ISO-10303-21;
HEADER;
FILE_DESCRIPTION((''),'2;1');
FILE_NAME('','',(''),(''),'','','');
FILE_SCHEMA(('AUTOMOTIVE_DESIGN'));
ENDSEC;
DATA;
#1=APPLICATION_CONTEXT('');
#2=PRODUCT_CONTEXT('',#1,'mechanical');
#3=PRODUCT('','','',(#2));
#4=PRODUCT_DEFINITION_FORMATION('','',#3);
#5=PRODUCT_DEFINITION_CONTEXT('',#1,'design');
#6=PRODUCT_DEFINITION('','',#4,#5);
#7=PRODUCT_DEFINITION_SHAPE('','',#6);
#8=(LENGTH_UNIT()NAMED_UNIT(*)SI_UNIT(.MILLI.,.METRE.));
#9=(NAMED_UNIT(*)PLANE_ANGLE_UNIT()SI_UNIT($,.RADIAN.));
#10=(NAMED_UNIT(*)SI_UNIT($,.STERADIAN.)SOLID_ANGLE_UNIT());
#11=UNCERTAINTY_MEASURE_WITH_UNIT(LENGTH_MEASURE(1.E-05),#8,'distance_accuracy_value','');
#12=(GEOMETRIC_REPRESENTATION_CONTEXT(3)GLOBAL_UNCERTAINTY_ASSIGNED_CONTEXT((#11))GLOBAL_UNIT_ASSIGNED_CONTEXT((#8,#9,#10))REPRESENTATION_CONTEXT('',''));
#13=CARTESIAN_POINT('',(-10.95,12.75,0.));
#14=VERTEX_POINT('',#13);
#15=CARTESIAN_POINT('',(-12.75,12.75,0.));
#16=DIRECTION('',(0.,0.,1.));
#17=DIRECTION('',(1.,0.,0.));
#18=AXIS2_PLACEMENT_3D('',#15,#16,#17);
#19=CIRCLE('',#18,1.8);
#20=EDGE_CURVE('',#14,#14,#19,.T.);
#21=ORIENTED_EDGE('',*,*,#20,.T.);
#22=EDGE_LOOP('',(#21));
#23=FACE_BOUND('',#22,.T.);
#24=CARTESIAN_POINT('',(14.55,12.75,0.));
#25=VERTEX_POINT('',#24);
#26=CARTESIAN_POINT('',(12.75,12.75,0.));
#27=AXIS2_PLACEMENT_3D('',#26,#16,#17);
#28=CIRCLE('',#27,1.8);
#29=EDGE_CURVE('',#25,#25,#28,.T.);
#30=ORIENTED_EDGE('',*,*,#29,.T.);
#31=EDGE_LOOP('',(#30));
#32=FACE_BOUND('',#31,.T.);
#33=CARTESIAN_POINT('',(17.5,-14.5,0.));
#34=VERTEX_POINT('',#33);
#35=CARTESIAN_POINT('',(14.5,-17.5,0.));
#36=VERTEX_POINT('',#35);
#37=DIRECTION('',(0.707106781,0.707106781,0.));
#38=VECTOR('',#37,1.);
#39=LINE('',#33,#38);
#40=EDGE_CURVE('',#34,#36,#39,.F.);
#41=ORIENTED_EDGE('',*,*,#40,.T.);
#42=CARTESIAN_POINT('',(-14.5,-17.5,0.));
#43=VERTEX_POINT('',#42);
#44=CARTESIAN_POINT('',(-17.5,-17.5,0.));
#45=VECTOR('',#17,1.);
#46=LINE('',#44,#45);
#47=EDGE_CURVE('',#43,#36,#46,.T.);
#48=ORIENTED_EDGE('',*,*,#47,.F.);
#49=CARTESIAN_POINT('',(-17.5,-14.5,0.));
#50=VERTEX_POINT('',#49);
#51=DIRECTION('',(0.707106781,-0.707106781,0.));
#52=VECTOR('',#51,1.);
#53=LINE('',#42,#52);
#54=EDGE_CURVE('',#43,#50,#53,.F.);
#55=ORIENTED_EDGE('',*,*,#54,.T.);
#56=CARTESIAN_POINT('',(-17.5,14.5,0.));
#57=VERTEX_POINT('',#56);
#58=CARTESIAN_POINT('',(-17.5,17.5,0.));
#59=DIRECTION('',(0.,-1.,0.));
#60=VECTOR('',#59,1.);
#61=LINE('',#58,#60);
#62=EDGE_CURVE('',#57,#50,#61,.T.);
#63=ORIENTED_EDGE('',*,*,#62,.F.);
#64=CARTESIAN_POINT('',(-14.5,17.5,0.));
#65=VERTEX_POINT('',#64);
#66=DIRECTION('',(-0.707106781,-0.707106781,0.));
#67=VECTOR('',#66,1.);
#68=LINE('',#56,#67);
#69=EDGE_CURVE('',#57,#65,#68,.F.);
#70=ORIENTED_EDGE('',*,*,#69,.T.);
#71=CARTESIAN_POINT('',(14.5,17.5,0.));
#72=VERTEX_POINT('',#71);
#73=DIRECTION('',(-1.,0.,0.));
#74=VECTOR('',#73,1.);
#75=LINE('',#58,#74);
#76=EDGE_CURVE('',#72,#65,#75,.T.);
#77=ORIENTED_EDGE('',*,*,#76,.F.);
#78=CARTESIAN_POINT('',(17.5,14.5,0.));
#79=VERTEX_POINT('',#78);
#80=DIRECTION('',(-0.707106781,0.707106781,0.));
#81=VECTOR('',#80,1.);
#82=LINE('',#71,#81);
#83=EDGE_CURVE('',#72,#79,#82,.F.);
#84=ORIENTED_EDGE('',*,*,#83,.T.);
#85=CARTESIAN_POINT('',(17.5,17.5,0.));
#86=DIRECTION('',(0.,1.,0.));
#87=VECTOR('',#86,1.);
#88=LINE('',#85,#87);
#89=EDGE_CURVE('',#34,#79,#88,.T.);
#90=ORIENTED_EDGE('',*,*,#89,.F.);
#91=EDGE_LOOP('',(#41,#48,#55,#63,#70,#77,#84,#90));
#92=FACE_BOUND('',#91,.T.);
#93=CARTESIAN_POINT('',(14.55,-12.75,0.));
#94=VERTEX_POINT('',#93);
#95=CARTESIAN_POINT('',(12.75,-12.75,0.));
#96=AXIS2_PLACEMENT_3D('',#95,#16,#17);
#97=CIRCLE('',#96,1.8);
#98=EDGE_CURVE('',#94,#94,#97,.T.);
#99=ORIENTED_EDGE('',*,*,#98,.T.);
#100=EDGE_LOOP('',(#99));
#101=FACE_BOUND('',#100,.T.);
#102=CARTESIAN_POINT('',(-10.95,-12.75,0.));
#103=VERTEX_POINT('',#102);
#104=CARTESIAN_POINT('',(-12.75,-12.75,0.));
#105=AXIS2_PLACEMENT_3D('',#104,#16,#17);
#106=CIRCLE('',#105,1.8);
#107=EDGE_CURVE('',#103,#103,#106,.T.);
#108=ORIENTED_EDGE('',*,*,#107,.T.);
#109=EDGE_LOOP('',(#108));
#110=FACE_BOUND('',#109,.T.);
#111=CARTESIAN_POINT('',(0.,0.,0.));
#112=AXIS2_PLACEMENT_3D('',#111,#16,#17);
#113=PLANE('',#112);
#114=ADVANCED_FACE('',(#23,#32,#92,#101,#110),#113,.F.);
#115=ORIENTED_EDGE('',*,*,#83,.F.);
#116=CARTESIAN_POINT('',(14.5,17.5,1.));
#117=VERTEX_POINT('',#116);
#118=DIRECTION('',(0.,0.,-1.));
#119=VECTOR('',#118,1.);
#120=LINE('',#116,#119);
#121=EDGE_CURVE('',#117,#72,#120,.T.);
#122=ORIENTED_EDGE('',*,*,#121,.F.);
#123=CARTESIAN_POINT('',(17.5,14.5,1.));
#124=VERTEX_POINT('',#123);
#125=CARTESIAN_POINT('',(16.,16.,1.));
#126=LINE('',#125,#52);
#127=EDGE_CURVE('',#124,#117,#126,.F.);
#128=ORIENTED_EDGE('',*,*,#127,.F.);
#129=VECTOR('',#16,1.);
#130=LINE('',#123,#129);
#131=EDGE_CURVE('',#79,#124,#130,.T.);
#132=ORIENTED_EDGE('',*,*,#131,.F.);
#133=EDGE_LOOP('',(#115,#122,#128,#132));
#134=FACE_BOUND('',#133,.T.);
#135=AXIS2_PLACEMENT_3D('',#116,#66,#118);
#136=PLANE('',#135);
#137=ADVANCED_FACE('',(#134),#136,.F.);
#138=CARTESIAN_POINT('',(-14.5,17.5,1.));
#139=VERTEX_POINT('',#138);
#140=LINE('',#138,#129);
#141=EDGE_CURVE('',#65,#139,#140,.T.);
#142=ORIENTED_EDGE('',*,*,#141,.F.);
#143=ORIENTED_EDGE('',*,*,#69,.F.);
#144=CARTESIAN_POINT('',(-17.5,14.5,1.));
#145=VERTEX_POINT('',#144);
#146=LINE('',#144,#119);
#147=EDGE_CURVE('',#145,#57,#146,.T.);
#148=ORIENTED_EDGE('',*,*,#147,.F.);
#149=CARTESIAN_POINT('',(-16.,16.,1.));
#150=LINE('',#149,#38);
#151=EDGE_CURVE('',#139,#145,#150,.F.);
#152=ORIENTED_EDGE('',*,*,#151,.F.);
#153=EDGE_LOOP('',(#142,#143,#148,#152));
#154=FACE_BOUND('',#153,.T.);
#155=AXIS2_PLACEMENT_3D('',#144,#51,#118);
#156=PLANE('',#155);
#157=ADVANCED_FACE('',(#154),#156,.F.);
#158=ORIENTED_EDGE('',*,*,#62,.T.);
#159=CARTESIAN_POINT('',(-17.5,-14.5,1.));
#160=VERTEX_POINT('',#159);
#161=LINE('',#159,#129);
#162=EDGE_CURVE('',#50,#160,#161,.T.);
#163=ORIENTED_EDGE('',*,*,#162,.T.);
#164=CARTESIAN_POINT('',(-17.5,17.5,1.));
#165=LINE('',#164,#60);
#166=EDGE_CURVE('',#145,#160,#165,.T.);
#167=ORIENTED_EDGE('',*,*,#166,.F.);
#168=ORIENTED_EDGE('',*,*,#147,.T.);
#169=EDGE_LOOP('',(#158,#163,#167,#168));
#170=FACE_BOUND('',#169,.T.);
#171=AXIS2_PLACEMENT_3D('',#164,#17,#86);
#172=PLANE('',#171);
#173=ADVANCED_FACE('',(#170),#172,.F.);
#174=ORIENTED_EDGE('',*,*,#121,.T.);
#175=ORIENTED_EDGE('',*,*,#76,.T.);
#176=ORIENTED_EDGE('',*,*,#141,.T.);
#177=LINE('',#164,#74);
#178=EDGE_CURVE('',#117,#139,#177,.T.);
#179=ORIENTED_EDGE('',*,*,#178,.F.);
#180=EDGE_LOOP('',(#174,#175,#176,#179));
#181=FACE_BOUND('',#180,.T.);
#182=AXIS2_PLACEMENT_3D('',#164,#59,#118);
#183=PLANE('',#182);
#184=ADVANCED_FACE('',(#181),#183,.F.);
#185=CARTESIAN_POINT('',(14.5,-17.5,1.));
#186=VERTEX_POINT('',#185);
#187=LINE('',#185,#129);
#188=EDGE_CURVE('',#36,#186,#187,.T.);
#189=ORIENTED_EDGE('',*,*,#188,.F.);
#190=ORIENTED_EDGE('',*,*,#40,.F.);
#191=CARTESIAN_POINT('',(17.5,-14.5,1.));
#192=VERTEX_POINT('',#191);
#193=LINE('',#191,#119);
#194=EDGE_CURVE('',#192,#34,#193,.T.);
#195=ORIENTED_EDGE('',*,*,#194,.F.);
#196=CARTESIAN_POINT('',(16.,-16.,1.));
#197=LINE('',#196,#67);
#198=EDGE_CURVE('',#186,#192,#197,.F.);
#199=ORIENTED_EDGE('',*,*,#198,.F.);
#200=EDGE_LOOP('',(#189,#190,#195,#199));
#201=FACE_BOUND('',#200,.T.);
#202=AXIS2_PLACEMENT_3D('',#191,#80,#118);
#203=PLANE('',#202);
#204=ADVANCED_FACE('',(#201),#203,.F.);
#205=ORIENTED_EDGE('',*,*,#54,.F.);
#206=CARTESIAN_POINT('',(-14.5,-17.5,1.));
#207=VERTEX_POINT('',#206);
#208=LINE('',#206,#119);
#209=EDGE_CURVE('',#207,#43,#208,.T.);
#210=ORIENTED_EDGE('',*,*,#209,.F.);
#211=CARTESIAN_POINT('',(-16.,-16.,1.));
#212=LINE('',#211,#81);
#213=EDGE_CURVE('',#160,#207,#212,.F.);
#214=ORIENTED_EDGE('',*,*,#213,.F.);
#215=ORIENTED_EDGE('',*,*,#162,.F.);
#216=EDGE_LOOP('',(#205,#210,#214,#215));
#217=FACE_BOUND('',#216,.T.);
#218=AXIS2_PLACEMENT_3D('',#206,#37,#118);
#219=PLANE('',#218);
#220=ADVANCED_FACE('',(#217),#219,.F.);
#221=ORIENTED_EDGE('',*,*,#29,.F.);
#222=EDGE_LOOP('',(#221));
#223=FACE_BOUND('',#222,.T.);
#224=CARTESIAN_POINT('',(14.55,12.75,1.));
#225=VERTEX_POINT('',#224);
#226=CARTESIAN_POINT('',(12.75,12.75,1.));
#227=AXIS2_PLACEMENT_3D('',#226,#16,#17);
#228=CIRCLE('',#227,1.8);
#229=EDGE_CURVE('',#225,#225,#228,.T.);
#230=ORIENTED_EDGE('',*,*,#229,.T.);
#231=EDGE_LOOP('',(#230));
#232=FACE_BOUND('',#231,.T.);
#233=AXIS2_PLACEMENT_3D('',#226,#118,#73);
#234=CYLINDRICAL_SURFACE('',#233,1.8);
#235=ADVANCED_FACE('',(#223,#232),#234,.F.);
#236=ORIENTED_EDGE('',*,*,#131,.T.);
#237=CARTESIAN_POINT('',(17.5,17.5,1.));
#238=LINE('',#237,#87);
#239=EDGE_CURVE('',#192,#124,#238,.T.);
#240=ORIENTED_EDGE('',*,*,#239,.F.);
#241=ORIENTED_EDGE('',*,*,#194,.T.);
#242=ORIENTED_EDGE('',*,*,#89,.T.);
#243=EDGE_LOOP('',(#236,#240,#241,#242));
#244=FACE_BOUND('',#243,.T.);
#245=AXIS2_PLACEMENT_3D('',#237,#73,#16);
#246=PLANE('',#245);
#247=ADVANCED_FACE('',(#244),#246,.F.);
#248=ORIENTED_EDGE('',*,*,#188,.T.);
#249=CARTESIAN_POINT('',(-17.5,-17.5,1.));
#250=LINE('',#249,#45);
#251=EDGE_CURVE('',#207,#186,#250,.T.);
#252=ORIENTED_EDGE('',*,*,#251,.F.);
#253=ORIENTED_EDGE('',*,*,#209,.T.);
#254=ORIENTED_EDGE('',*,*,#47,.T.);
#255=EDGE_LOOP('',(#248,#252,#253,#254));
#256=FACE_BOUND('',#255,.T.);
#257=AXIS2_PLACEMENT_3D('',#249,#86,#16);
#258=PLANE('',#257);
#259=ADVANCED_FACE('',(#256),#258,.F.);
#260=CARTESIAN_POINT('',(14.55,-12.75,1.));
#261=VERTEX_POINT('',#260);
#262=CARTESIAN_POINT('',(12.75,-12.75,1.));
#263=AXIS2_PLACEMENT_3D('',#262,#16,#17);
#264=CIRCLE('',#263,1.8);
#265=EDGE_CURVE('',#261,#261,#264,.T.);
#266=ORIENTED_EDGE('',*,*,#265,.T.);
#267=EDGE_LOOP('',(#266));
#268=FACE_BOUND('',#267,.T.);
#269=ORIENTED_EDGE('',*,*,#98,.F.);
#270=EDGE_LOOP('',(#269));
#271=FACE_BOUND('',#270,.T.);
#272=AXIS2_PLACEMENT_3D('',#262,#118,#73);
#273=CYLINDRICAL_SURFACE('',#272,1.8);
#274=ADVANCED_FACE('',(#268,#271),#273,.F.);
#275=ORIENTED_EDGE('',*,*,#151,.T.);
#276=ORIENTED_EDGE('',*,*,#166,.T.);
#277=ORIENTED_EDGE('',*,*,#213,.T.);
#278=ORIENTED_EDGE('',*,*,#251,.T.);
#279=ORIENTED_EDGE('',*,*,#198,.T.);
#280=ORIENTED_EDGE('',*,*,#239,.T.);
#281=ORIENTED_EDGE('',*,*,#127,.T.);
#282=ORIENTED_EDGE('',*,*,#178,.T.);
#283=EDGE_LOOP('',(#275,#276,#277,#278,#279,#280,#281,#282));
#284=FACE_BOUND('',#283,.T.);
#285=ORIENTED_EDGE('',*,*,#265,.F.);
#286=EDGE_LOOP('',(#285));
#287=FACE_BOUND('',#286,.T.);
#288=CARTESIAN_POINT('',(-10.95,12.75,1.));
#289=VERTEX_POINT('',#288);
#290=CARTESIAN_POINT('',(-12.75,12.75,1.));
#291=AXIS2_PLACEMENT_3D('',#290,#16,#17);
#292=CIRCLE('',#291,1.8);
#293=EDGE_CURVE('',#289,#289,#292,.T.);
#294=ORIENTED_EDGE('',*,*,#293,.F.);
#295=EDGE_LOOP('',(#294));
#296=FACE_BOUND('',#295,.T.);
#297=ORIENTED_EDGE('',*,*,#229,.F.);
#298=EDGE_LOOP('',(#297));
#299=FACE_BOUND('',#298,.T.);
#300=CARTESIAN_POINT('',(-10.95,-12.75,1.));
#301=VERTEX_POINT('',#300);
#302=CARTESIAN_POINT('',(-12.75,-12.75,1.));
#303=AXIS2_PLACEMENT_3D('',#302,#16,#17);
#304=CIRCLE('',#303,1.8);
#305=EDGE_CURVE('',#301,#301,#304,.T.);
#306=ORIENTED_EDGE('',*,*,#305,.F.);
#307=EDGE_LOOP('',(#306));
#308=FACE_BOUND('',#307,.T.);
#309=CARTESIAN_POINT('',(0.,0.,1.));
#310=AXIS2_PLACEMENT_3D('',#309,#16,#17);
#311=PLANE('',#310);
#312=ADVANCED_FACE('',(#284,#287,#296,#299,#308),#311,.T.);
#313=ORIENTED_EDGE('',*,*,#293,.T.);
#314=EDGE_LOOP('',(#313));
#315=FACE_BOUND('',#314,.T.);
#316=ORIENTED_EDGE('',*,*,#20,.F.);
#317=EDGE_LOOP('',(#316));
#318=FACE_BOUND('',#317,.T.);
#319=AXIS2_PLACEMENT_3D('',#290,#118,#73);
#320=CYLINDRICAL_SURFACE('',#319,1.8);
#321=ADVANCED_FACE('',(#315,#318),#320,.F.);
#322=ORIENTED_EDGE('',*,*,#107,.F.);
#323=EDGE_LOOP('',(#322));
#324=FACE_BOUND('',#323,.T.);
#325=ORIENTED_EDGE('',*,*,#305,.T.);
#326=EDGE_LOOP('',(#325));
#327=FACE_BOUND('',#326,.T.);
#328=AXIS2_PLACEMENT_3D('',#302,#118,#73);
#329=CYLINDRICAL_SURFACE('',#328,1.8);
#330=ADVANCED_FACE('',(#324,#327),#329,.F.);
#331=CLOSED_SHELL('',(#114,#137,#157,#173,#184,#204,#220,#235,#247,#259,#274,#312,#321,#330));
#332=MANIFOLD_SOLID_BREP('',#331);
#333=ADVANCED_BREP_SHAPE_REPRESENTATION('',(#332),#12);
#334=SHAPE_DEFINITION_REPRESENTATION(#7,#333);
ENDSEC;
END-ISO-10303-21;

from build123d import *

# Parameters (mm, degrees)
SKETCH1_W      = 35
SKETCH1_H      = 35
SKETCH1_R      = 1.8
EXTRUDE1_DEPTH = 1
CHAMFER1_SIZE  = 3


with BuildPart() as part:
    # Sketch1 → Extrude1 (new body)
    with BuildSketch(Plane.XY):
        Rectangle(SKETCH1_W, SKETCH1_H)
        with Locations((-12.75, 12.75)):
            Circle(SKETCH1_R, mode=Mode.SUBTRACT)
        with Locations((12.75, 12.75)):
            Circle(SKETCH1_R, mode=Mode.SUBTRACT)
        with Locations((-12.75, -12.75)):
            Circle(SKETCH1_R, mode=Mode.SUBTRACT)
        with Locations((12.75, -12.75)):
            Circle(SKETCH1_R, mode=Mode.SUBTRACT)
    extrude(amount=EXTRUDE1_DEPTH)

    # Chamfer1
    chamfer1_edges = [part.edges().sort_by_distance(p)[0] for p in [
        (-17.5, 17.5, 0.5),
        (17.5, 17.5, 0.5),
        (17.5, -17.5, 0.5),
        (-17.5, -17.5, 0.5),
    ]]
    chamfer(chamfer1_edges, length=CHAMFER1_SIZE)


solid = part.part
